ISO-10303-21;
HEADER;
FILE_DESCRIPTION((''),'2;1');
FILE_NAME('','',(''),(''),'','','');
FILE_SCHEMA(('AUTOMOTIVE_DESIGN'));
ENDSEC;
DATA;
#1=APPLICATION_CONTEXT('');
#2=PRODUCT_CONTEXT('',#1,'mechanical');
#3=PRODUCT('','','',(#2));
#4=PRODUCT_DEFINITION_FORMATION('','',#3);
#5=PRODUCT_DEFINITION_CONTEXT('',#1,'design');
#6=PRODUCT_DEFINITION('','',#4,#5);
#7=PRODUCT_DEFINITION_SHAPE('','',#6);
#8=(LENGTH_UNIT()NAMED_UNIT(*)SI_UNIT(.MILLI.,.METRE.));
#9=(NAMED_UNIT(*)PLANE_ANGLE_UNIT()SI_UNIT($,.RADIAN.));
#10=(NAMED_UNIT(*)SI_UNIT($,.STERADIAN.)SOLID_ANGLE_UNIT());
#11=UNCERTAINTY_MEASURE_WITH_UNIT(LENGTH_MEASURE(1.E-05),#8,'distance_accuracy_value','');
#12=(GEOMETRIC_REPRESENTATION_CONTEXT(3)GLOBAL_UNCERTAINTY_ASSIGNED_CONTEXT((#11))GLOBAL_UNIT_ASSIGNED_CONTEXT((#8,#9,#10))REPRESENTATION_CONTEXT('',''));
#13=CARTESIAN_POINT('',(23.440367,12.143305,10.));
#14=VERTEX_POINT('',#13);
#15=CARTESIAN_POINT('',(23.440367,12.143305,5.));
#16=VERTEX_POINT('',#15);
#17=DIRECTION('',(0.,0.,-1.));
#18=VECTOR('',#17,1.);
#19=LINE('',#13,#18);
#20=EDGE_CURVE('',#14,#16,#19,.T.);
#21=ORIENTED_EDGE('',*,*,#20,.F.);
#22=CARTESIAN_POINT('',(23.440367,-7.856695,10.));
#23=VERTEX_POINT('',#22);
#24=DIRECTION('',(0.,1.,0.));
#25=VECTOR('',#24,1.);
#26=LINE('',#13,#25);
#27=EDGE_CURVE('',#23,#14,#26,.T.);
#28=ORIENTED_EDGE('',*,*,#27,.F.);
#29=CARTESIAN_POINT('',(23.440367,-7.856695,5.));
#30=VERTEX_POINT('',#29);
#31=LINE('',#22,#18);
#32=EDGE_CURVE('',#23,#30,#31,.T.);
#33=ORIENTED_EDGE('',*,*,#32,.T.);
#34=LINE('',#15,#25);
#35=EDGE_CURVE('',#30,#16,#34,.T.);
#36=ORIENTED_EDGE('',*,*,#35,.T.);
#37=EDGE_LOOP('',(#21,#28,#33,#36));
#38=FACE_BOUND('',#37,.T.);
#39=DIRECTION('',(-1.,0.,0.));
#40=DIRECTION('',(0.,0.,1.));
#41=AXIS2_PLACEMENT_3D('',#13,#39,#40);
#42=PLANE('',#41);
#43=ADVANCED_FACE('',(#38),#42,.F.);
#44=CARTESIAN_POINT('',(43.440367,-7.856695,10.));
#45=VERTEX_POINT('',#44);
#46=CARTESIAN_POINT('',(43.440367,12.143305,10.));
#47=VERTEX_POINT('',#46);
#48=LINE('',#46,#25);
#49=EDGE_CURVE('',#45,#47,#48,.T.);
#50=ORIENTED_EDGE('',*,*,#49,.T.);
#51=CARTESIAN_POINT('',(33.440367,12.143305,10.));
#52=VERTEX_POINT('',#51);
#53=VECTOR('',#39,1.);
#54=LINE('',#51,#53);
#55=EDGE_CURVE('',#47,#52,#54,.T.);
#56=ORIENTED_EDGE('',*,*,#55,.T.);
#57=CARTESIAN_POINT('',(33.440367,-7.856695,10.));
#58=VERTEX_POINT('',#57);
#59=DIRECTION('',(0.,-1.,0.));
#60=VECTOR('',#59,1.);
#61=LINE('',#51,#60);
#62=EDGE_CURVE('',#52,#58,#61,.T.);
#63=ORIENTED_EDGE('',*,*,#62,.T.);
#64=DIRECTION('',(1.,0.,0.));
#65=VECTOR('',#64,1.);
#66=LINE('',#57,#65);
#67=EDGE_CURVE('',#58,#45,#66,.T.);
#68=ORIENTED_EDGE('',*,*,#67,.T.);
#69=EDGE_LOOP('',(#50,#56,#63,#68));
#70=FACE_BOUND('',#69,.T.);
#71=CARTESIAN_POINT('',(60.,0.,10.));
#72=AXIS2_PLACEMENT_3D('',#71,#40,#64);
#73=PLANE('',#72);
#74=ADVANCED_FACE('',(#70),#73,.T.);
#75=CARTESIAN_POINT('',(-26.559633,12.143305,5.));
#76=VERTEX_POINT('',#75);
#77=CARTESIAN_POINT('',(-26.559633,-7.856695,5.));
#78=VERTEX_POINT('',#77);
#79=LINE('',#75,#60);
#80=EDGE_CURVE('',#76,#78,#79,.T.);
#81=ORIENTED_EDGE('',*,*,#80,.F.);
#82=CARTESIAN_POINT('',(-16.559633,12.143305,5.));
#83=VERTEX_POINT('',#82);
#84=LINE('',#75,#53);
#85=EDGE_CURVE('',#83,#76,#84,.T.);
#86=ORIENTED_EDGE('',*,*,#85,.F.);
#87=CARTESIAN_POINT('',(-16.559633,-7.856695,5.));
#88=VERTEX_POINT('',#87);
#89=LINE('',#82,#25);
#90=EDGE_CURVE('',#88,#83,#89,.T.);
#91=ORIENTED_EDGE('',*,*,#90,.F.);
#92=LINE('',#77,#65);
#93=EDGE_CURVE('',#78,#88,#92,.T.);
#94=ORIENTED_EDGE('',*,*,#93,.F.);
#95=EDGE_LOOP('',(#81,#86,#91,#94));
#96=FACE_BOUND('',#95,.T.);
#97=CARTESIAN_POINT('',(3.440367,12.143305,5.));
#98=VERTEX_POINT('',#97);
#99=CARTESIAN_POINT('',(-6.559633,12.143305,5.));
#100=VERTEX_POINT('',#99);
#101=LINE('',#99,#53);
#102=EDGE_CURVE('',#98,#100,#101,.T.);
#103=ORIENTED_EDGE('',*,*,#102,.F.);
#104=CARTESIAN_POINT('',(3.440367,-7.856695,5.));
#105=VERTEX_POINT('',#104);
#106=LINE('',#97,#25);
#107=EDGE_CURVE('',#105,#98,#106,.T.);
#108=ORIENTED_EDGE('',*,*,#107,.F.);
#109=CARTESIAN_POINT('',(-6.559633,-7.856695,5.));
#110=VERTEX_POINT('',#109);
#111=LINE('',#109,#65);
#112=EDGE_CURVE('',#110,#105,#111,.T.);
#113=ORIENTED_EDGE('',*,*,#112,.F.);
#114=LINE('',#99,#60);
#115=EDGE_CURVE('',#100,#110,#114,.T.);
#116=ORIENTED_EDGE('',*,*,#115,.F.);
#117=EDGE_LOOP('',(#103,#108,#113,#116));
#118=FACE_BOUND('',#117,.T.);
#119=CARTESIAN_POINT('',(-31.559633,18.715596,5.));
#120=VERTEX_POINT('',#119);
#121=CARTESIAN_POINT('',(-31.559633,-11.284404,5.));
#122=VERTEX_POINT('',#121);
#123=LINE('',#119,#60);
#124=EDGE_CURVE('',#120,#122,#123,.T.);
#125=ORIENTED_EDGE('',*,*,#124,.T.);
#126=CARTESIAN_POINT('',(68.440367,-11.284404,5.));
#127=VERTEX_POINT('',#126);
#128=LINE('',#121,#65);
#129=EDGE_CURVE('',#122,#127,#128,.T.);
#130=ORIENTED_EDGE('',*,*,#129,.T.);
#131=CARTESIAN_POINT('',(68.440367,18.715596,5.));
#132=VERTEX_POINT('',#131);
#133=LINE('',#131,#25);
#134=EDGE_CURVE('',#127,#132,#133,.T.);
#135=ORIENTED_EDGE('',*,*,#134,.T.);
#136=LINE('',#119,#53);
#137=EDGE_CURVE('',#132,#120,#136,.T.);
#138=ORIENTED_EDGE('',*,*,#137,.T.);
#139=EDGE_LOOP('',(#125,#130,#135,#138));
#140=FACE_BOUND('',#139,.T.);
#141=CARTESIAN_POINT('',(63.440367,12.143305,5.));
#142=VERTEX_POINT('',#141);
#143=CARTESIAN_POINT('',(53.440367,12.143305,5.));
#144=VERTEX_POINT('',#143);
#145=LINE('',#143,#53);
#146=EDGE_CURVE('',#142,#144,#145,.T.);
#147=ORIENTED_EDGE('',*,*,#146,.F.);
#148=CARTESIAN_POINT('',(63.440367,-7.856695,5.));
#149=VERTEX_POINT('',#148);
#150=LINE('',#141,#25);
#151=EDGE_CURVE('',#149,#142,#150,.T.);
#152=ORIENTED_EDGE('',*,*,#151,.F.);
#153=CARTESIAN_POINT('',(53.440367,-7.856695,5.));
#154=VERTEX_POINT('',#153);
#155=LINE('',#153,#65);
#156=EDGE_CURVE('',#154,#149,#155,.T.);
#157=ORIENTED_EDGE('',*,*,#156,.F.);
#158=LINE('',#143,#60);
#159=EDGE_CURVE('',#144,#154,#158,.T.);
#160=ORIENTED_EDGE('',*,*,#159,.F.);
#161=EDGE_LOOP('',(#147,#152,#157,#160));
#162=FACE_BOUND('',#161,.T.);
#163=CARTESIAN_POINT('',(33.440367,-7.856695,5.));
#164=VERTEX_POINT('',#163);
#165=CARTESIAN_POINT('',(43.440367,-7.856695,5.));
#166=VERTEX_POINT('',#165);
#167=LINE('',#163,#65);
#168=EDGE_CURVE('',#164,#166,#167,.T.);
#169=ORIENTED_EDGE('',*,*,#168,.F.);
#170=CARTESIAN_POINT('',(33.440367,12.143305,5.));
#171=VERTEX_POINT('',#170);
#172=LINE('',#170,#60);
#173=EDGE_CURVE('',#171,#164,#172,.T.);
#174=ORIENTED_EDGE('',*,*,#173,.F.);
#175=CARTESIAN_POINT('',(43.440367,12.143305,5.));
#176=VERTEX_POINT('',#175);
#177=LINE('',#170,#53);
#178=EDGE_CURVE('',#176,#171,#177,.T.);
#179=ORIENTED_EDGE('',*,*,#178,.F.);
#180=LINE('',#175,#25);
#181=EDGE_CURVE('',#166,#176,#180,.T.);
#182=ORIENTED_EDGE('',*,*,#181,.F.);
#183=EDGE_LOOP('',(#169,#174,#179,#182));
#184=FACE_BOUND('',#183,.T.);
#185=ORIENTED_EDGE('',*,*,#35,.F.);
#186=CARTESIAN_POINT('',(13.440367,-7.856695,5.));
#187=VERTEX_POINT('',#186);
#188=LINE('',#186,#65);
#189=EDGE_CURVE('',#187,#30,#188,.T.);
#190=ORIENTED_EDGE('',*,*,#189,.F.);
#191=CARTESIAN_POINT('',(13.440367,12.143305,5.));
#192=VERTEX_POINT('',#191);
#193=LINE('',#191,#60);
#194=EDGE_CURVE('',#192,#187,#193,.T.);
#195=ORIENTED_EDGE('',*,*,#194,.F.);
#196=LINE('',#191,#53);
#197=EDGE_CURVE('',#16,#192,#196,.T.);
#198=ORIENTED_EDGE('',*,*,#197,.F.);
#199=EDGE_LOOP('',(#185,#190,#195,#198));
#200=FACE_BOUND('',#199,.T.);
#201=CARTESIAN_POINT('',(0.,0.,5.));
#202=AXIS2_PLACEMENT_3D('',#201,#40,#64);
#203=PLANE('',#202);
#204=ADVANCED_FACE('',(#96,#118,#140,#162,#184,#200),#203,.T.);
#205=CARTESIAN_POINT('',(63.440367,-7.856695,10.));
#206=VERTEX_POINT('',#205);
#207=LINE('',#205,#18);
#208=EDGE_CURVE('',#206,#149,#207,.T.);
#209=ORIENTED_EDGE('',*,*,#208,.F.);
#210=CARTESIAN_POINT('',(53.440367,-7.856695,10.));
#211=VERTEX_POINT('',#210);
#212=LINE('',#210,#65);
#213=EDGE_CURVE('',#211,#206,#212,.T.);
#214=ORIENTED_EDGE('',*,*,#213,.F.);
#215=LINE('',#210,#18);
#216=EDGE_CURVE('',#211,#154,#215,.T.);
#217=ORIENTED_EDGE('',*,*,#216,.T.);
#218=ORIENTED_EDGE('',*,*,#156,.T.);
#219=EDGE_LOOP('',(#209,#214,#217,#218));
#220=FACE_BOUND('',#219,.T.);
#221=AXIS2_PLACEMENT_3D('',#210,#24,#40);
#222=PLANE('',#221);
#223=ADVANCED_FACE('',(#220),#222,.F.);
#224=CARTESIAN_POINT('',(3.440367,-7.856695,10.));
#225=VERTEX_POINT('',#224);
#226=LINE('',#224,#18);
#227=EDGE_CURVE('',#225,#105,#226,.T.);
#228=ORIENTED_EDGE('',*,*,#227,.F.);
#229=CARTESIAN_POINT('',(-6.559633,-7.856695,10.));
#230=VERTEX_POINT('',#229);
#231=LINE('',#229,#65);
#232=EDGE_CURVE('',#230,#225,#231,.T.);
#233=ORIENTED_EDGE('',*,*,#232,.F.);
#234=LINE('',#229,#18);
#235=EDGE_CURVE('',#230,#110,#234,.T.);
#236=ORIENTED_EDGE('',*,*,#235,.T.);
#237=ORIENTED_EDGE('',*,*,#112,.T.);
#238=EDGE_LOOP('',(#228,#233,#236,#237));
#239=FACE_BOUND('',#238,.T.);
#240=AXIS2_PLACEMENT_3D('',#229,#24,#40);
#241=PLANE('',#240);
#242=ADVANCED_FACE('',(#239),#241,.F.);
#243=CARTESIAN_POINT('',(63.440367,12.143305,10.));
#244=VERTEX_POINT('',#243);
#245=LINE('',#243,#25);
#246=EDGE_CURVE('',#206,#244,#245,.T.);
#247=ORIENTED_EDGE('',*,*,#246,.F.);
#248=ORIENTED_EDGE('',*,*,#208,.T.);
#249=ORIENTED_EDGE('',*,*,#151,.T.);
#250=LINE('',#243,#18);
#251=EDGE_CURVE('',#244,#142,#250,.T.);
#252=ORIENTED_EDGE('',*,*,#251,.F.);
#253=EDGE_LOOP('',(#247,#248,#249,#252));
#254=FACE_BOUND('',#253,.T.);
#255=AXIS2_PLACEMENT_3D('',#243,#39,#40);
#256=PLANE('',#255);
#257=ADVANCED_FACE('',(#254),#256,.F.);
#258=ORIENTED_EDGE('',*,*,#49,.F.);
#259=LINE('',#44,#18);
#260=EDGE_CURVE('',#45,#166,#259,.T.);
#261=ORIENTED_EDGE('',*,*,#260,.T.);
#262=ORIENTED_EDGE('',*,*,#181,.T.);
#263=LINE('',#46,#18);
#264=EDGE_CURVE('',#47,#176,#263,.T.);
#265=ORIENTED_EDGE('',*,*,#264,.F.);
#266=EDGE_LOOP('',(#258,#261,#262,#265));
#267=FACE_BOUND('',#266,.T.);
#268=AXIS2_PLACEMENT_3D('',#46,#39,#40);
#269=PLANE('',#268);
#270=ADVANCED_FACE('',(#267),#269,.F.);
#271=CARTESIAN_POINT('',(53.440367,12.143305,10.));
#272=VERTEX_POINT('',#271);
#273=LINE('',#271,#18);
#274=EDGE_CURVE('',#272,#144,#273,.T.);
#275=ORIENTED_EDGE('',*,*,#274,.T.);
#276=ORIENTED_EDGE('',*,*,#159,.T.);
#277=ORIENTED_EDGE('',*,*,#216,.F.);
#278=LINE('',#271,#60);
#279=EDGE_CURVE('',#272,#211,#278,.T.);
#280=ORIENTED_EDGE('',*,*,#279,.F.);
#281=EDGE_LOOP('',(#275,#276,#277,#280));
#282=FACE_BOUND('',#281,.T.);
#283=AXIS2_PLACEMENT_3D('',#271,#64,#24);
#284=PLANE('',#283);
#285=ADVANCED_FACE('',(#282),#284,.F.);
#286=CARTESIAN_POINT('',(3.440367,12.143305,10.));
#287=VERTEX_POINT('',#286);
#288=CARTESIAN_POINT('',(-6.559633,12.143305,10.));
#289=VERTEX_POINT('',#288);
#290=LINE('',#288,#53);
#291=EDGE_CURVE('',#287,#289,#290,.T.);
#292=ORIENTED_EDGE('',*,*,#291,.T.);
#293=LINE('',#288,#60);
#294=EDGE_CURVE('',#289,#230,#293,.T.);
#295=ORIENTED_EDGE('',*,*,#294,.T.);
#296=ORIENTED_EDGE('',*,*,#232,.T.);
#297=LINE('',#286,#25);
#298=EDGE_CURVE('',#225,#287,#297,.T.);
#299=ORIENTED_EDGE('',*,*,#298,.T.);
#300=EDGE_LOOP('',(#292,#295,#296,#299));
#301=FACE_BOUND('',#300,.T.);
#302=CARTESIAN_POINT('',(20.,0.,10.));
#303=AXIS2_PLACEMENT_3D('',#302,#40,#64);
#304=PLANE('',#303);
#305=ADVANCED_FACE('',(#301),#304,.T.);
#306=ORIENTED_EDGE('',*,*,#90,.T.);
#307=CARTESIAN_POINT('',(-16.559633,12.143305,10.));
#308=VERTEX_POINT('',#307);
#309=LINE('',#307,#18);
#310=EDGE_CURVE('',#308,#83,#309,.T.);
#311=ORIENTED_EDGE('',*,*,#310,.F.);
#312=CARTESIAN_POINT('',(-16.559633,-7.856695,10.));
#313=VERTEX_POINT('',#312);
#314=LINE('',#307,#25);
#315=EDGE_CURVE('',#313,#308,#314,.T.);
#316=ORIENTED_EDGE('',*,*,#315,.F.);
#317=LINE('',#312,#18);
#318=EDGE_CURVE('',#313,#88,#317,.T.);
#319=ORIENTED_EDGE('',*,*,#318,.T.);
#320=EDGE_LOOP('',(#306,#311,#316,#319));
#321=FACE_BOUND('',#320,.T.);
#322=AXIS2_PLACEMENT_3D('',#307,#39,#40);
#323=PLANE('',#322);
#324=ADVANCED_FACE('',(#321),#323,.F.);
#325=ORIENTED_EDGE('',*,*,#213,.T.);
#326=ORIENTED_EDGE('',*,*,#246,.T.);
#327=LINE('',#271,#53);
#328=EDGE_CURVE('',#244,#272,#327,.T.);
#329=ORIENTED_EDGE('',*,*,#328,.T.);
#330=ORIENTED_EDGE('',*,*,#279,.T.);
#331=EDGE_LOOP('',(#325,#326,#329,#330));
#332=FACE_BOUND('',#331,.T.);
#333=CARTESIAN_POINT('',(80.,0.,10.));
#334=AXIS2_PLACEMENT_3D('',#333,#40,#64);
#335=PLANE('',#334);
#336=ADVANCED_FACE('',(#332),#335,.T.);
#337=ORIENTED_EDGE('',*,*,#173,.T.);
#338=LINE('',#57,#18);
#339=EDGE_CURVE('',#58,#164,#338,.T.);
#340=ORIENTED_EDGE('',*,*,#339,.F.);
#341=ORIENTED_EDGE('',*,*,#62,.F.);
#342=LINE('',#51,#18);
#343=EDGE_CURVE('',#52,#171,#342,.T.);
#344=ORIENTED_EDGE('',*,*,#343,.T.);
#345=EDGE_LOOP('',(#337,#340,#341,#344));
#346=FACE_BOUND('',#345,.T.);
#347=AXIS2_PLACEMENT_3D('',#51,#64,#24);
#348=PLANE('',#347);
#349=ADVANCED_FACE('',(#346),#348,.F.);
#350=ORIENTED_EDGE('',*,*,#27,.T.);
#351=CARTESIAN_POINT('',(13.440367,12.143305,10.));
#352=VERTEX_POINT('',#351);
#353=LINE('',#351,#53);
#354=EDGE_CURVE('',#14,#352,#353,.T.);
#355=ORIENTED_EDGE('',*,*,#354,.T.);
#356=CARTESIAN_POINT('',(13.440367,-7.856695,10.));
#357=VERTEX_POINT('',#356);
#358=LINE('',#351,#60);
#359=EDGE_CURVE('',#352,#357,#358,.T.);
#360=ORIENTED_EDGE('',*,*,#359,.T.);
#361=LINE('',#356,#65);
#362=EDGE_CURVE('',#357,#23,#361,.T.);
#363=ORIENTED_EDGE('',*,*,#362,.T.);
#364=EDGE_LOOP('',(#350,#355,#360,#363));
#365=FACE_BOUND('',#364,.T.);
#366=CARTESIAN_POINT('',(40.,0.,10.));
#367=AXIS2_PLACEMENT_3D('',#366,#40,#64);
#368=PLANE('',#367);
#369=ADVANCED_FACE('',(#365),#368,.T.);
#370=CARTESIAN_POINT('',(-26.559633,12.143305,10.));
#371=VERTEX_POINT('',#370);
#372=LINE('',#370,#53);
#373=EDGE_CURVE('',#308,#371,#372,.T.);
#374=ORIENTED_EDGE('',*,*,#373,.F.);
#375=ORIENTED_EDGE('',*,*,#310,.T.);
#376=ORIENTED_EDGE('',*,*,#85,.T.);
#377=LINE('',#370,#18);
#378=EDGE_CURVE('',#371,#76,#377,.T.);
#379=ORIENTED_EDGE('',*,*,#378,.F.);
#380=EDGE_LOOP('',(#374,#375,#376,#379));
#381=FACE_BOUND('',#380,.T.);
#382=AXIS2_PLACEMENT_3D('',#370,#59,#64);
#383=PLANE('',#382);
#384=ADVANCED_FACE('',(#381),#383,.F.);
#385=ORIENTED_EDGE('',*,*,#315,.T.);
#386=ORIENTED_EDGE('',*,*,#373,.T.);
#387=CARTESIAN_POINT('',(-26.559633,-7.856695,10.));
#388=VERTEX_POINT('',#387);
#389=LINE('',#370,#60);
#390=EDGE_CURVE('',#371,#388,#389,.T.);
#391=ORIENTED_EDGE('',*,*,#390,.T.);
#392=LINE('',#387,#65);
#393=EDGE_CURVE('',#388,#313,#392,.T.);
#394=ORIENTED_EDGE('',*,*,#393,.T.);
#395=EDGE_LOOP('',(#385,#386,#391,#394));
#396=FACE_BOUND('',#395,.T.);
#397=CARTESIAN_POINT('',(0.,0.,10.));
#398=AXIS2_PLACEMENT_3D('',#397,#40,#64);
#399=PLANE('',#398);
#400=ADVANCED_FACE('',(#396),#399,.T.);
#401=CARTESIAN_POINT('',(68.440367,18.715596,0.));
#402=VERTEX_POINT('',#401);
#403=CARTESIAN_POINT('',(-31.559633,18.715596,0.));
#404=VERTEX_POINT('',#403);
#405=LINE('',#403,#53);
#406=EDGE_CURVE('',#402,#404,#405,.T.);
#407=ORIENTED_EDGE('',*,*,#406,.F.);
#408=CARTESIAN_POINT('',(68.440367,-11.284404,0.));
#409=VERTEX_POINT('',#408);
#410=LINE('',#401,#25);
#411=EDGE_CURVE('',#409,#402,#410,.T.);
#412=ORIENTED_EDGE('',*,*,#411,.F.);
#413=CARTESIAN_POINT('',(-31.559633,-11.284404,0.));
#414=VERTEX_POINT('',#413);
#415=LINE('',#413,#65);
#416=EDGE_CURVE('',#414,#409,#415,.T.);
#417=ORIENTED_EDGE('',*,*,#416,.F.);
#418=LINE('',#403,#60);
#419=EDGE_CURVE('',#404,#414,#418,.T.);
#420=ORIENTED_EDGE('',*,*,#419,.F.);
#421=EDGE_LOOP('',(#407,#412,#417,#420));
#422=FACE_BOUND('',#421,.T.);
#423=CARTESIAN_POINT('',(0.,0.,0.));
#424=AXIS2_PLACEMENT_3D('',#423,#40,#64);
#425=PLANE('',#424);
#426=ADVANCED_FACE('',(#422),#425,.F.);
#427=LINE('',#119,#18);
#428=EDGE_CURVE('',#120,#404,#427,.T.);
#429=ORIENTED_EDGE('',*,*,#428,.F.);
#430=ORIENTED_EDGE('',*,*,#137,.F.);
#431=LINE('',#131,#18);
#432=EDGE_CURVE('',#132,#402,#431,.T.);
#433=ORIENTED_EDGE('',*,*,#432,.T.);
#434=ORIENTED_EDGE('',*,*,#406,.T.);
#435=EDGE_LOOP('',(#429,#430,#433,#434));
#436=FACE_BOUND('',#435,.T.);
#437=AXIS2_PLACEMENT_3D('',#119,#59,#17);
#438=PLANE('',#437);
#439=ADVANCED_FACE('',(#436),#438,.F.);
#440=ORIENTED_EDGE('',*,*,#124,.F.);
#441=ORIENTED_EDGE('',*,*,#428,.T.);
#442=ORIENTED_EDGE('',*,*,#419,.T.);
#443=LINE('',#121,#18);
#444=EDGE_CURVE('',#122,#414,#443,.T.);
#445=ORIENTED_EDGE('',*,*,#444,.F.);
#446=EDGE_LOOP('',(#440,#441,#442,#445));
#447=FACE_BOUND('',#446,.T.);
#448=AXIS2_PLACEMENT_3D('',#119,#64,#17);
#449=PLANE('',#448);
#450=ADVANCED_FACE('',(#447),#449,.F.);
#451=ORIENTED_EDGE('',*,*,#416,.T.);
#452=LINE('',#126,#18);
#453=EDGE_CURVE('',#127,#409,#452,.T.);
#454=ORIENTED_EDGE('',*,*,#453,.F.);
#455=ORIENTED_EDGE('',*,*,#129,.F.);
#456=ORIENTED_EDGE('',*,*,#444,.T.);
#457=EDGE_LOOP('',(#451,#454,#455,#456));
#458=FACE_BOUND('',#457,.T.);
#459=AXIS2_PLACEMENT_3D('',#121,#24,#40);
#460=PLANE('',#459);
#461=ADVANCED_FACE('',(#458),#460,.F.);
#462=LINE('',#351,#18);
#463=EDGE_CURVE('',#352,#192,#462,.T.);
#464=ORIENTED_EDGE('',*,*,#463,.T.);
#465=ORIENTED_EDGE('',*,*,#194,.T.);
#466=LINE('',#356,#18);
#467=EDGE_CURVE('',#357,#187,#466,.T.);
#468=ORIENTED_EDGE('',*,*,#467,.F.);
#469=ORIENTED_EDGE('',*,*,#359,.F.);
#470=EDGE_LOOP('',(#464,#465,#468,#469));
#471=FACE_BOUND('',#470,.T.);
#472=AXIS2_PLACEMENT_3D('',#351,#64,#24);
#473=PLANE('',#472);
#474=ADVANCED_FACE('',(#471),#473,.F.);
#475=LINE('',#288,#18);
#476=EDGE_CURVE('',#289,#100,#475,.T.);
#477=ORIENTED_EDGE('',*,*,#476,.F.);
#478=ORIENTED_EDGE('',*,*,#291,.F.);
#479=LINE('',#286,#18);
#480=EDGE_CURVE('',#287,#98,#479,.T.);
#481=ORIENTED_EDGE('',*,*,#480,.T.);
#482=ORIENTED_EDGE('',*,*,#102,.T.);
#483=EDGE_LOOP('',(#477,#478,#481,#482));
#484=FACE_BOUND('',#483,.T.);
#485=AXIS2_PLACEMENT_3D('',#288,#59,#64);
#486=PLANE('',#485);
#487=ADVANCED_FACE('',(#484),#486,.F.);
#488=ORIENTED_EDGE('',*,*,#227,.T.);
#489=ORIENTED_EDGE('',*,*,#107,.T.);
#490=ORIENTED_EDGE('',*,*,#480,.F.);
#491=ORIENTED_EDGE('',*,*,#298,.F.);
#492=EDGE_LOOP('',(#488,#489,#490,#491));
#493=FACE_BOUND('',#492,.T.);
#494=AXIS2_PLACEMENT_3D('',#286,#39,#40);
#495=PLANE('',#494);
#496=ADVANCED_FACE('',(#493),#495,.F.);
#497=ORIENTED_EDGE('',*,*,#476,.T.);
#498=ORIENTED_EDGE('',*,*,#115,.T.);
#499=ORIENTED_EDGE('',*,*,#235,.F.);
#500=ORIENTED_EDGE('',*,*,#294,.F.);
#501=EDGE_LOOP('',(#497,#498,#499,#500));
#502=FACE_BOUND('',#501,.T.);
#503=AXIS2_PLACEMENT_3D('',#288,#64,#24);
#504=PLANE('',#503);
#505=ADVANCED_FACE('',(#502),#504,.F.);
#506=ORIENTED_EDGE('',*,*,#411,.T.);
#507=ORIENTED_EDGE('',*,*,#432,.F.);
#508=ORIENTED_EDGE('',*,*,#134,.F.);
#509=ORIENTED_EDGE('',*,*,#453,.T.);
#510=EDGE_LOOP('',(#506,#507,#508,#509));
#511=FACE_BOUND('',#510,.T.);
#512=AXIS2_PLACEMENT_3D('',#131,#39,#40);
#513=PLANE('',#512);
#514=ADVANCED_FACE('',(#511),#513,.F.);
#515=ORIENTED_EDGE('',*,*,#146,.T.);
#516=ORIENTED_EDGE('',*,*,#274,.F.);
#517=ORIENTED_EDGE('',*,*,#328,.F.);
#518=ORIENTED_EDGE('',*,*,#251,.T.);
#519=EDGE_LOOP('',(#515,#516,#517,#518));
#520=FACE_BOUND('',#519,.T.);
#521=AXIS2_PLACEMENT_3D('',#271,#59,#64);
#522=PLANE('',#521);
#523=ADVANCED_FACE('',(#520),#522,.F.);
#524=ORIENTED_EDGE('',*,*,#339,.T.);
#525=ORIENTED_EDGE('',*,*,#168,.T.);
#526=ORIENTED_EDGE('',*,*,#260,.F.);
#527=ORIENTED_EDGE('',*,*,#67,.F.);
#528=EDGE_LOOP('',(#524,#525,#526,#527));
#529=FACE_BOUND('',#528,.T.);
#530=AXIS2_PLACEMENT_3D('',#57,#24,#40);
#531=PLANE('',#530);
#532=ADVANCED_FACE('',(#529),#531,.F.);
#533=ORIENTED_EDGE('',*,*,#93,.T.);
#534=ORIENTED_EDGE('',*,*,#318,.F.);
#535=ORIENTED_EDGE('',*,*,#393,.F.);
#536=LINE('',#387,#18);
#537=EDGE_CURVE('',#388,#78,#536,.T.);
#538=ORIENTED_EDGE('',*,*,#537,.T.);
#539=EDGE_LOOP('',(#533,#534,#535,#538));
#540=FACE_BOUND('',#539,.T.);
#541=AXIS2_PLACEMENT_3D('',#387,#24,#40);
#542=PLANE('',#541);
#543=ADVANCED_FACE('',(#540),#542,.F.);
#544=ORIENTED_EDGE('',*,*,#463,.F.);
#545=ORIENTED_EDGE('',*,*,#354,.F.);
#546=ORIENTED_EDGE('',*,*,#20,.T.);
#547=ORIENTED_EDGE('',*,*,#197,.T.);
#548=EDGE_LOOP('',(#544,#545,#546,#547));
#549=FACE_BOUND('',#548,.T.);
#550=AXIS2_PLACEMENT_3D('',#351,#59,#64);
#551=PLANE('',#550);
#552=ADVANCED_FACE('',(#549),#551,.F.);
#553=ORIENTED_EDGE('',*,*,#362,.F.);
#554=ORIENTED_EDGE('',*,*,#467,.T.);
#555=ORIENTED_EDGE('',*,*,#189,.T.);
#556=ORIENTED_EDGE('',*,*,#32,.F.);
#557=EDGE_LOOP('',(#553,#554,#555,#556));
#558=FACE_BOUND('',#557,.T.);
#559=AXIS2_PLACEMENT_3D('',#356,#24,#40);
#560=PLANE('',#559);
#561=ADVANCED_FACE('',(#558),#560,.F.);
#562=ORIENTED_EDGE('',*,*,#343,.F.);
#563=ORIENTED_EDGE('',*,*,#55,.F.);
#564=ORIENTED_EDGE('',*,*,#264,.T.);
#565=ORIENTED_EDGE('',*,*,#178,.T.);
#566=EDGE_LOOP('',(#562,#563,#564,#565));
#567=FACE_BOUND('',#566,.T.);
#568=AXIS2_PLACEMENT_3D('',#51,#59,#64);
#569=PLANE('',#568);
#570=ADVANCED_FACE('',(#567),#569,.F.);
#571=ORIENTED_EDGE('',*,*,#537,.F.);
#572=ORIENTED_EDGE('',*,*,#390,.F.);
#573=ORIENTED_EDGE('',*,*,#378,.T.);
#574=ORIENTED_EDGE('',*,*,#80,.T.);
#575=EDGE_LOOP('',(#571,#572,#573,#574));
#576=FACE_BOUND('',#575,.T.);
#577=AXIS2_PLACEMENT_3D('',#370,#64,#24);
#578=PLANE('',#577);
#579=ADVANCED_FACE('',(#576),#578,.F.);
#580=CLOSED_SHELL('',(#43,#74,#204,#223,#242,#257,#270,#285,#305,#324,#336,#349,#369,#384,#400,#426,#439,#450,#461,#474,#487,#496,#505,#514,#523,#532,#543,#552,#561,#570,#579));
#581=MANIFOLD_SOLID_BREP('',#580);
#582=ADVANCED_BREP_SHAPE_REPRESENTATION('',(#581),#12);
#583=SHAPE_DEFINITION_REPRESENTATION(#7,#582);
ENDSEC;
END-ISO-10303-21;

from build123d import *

# Parameters (mm, degrees)
SKETCH1_W           = 100
SKETCH1_H           = 30
BOSS_EXTRUDE1_DEPTH = 5
SKETCH2_W           = 10
SKETCH2_H           = 20
BOSS_EXTRUDE2_DEPTH = 5
LPATTERN1_COUNT     = 5
LPATTERN1_PITCH     = 20


with BuildPart() as part:
    # Sketch1 → Boss-Extrude1 (new body)
    with BuildSketch(Plane.XY):
        with Locations((18.440366972, 3.71559633)):
            Rectangle(SKETCH1_W, SKETCH1_H)
    extrude(amount=BOSS_EXTRUDE1_DEPTH)

    # Sketch2 → Boss-Extrude2 (add)
    with BuildSketch(Plane.XY.offset(5)):
        with Locations((-21.559633028, 2.143304858)):
            Rectangle(SKETCH2_W, SKETCH2_H)
    boss_extrude2 = extrude(amount=BOSS_EXTRUDE2_DEPTH)

    # LPattern1: Boss-Extrude2 ×5
    with Locations(*[(i * LPATTERN1_PITCH, 0, 0) for i in range(1, LPATTERN1_COUNT)]):
        add(boss_extrude2)


solid = part.part
